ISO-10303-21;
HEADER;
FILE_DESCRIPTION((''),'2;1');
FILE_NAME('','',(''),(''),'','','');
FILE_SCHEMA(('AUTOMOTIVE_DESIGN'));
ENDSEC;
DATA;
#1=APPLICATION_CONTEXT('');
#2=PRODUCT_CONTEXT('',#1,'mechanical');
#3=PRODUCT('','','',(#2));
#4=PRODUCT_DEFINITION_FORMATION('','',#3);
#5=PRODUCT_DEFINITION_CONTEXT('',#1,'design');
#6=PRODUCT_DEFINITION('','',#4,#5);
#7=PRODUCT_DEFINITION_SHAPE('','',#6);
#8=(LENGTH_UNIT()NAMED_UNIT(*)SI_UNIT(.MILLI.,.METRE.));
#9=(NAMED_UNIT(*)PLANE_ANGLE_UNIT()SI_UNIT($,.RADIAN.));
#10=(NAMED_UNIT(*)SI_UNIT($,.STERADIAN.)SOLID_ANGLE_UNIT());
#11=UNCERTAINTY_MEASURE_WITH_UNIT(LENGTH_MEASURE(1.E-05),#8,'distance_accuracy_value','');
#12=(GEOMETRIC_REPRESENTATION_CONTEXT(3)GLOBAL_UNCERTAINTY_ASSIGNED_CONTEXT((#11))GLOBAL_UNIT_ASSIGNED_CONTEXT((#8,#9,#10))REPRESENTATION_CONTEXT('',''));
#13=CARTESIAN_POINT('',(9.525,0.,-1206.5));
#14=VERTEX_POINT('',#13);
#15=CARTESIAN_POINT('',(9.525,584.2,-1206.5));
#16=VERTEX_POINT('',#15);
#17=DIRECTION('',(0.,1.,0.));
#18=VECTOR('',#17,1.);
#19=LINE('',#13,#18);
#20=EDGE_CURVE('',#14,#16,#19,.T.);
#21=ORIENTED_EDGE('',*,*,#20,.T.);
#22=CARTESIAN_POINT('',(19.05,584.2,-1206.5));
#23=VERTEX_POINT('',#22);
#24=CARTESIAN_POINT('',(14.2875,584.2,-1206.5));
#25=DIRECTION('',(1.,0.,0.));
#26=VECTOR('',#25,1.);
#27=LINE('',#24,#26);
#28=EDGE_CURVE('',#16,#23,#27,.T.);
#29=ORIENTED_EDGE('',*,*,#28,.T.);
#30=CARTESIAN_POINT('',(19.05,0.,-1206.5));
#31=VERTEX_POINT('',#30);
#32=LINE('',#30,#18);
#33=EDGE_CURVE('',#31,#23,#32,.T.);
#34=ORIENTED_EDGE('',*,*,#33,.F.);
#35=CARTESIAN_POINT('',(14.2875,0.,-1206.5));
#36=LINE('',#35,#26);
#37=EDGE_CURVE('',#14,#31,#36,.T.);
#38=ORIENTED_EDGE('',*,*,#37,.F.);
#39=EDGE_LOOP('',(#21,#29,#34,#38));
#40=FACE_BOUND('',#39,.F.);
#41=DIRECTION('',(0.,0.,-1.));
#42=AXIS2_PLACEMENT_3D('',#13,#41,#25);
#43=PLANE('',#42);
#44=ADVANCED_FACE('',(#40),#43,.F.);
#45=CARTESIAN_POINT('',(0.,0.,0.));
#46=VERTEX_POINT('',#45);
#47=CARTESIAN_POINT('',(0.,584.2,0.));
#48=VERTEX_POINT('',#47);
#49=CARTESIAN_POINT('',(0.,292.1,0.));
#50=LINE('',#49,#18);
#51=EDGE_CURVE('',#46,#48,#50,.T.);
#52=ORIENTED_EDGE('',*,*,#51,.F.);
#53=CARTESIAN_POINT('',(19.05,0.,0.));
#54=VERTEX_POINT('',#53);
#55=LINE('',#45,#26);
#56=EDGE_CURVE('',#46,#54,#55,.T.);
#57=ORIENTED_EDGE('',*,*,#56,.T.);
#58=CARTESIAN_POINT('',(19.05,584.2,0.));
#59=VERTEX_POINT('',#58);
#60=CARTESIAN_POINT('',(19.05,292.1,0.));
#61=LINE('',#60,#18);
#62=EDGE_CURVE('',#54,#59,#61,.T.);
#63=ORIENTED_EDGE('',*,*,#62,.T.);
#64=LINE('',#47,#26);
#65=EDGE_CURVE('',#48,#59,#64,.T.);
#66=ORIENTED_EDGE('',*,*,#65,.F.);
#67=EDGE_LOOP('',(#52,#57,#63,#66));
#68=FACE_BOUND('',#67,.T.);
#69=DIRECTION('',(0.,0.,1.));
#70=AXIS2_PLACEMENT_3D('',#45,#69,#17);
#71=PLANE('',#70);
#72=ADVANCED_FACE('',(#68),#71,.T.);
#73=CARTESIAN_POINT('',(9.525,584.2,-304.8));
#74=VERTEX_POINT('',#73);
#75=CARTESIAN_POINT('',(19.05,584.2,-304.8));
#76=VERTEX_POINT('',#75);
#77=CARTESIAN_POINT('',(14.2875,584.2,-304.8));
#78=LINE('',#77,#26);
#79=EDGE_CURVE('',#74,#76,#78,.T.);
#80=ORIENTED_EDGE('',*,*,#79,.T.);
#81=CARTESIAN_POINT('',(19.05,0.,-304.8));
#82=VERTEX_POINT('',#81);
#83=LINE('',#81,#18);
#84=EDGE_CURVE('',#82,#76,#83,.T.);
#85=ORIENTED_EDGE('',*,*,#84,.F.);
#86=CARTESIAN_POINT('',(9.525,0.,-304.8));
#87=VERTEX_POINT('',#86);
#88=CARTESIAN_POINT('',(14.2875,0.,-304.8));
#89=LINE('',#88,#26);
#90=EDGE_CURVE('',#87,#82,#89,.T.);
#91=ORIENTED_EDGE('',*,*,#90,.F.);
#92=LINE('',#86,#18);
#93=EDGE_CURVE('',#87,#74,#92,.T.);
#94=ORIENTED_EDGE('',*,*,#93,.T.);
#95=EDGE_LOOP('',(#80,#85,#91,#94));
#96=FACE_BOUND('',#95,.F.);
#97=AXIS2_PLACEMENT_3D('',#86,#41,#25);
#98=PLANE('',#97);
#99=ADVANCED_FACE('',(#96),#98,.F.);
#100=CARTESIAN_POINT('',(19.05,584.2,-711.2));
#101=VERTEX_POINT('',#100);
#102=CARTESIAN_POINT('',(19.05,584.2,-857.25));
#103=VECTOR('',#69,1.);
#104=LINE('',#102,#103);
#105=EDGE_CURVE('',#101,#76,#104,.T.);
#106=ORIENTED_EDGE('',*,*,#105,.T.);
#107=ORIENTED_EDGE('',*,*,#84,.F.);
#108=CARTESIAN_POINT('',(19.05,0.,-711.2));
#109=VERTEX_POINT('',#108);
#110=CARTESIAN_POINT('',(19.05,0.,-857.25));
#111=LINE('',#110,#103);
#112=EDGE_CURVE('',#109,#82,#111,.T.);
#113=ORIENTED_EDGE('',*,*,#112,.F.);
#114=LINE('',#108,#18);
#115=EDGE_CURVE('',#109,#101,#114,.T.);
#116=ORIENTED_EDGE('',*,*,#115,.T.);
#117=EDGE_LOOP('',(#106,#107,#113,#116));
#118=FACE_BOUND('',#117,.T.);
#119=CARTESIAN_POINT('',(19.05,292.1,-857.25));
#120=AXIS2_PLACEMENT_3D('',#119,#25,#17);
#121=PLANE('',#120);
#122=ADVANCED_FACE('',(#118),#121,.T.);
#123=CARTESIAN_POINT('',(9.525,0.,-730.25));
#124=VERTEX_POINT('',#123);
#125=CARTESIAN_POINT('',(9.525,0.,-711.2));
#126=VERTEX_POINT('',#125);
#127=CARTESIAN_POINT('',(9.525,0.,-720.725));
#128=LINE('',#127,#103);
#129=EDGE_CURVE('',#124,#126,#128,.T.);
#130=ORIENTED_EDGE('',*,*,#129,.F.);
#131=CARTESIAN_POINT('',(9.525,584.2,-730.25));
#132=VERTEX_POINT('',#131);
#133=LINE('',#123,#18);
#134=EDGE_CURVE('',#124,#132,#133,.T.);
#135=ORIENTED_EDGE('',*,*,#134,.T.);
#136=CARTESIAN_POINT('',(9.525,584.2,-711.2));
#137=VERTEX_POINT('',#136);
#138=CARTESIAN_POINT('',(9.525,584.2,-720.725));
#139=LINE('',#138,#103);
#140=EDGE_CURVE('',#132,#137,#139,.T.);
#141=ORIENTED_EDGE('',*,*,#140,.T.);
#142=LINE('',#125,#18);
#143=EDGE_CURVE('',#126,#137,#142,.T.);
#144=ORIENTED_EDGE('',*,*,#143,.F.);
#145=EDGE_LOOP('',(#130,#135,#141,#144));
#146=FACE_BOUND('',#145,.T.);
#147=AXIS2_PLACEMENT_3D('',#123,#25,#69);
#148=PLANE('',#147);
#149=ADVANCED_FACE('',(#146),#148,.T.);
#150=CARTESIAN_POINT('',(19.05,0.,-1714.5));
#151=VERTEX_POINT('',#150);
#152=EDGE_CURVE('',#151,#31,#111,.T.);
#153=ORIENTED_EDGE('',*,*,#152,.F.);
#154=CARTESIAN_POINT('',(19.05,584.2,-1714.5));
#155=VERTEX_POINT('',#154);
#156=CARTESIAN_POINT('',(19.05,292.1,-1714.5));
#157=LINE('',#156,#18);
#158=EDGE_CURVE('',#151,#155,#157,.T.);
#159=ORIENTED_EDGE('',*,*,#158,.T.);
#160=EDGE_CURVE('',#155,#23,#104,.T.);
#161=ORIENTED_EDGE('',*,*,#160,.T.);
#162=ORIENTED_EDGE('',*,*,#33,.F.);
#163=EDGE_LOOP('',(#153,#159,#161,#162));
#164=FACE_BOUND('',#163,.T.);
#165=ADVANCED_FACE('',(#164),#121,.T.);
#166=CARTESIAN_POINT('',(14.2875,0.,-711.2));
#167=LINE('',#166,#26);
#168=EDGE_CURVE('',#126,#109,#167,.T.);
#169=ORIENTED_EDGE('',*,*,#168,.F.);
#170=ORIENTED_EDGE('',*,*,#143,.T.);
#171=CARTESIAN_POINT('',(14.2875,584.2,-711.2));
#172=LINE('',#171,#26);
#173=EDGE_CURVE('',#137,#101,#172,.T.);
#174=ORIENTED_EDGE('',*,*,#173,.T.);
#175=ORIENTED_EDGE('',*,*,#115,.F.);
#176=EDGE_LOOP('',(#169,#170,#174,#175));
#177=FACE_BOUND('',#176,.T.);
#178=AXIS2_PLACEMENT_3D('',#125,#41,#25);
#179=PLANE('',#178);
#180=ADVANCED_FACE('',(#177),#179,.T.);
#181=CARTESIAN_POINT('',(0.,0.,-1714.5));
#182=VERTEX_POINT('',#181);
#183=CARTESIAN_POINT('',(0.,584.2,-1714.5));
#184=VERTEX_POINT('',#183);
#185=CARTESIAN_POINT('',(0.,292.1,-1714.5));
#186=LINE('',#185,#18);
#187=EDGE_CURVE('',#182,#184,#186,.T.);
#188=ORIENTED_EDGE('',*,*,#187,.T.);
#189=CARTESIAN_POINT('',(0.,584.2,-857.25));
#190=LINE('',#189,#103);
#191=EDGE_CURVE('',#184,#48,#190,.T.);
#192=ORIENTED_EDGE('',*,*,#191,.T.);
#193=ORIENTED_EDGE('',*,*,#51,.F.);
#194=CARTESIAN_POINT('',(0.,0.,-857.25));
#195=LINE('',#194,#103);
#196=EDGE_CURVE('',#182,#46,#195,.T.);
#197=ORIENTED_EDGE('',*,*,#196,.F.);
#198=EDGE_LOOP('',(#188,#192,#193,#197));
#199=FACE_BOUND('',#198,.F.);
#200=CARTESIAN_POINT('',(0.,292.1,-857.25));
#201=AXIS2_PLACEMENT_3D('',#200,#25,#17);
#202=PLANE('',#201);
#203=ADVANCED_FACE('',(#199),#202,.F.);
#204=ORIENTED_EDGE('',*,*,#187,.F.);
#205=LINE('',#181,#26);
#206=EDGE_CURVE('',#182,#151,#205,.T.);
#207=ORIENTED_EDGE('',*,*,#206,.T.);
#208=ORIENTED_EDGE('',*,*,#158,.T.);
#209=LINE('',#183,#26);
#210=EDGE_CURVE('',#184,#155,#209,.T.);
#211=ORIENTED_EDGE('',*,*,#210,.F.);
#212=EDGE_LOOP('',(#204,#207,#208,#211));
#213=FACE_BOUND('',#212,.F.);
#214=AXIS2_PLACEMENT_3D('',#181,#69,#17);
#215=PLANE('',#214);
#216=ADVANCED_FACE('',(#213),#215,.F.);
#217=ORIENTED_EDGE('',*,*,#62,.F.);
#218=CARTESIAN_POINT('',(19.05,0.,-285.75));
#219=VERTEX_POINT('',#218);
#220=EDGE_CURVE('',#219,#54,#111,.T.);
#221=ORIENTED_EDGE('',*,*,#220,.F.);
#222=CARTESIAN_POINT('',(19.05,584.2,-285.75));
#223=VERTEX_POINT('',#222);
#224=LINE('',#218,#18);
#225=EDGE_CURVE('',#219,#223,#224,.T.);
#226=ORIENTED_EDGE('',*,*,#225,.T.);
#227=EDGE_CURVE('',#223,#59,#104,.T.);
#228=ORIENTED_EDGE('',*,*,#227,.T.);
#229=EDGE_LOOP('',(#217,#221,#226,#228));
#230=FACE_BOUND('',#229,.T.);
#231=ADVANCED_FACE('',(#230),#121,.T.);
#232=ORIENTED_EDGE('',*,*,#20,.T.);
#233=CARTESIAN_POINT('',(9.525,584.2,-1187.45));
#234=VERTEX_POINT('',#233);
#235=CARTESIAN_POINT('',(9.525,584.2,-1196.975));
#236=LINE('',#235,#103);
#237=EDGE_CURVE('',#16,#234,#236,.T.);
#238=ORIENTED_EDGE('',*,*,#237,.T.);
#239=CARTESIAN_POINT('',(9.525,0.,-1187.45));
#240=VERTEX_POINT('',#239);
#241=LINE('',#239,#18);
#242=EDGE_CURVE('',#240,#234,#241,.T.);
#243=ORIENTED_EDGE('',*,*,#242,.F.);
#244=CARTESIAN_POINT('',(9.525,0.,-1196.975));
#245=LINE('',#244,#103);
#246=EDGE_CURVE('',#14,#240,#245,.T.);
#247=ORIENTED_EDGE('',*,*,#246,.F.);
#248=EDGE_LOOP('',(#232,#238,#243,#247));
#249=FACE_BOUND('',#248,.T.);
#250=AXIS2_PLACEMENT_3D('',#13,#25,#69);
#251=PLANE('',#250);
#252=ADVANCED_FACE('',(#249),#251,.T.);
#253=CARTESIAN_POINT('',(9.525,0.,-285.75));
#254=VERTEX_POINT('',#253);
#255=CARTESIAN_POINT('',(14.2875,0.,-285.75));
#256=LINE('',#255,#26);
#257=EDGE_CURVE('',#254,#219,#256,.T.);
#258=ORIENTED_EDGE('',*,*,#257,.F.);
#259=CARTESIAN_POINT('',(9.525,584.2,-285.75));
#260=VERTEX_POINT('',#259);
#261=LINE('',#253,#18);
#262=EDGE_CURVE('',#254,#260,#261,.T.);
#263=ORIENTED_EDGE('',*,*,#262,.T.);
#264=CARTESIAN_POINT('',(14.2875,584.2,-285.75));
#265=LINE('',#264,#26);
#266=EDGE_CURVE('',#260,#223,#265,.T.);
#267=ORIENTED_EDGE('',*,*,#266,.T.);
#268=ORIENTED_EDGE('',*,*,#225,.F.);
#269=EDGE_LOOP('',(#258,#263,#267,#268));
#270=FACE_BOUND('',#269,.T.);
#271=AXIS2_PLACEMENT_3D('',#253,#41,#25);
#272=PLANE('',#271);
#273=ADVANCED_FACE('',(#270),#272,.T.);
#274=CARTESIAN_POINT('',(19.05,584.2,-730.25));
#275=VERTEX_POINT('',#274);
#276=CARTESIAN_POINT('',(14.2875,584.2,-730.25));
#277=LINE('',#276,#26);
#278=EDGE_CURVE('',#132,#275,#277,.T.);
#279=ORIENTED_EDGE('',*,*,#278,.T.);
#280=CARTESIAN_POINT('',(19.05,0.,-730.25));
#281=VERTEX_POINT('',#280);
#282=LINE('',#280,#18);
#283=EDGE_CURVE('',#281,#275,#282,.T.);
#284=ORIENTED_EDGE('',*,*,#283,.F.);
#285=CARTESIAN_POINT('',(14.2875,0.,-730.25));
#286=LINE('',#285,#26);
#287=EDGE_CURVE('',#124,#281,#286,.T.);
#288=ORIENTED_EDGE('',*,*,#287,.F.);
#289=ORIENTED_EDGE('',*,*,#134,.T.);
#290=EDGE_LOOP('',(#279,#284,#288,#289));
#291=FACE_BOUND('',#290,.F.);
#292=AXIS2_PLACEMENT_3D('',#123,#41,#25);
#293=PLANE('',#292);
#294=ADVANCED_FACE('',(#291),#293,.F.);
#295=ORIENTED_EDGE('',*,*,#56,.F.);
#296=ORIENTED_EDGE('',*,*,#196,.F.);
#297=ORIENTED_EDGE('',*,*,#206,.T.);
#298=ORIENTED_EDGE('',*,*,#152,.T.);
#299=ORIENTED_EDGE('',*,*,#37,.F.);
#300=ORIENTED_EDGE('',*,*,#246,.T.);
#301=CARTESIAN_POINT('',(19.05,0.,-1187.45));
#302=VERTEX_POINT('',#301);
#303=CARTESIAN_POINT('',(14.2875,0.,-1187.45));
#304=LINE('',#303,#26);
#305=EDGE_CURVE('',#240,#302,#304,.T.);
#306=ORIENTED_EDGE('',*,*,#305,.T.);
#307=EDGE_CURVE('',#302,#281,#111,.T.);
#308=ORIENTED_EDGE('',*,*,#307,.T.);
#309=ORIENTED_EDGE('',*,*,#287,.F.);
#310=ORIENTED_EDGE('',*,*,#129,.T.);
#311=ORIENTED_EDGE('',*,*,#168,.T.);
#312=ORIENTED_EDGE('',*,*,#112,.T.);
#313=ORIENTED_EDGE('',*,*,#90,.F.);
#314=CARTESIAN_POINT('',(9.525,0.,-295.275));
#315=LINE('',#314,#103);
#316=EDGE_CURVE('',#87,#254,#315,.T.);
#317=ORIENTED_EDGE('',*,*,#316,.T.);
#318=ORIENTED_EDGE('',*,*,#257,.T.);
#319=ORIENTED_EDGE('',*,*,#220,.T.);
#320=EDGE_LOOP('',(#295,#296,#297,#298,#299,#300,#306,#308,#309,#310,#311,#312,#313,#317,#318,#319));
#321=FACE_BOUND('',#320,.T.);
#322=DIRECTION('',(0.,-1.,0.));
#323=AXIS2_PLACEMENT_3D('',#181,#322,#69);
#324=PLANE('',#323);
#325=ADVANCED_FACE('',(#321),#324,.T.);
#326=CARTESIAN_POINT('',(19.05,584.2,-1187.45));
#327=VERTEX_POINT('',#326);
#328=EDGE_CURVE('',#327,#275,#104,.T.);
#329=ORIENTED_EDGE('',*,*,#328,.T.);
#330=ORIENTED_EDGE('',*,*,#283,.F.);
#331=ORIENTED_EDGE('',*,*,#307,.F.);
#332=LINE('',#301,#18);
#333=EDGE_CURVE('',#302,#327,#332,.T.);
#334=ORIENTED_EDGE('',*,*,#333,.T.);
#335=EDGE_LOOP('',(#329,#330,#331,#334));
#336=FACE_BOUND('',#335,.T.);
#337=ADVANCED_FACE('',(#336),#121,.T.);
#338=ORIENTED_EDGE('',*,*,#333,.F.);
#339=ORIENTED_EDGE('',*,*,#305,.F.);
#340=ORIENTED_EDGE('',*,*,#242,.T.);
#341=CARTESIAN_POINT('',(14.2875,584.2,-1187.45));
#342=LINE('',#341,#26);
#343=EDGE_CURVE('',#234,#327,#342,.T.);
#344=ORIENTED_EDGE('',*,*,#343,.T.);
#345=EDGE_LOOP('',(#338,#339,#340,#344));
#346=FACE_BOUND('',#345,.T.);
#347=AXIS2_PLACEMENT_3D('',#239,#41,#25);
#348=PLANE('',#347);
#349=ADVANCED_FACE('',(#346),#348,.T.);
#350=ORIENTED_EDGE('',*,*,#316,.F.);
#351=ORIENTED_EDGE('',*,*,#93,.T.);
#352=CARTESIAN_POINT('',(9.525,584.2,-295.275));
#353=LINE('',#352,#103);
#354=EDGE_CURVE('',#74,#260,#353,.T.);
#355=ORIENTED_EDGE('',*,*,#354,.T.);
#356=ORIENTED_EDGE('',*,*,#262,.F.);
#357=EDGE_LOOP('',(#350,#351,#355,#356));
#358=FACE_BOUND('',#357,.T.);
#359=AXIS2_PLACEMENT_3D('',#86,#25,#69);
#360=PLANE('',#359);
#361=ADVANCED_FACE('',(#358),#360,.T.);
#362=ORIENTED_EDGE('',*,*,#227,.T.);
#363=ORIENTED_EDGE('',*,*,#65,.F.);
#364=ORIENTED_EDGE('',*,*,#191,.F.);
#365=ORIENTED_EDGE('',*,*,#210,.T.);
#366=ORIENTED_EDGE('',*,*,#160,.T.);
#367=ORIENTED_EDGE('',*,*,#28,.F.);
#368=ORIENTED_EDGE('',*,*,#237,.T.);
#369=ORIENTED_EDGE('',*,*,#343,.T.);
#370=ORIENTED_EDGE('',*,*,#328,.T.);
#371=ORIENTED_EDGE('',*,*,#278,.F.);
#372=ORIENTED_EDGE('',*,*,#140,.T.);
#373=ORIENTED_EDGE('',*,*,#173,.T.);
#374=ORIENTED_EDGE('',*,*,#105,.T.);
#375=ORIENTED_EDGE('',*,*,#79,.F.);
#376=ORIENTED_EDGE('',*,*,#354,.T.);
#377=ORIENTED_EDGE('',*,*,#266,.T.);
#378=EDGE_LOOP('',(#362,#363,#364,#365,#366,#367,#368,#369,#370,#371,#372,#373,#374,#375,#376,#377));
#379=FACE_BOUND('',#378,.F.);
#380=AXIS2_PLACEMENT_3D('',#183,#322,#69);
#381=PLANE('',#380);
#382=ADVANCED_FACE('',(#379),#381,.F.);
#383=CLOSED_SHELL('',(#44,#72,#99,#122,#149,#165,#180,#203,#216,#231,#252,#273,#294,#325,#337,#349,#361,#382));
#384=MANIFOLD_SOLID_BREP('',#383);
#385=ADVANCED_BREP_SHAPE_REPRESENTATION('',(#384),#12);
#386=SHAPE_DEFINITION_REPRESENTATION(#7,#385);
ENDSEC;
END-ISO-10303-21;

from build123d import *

# Parameters (mm, degrees)
F0_W     = 584.2
F0_H     = 1714.5
F1_DEPTH = 19.05
F2_W     = 9.525
F2_H     = 19.05
F3_DEPTH = 584.2


with BuildPart() as f1:
    # F0 (on Right) → F1 (new body)
    with BuildSketch(Plane.YZ):
        with Locations((292.1, -857.25)):
            Rectangle(F0_W, F0_H)
    extrude(amount=F1_DEPTH)

    # F2 (on face) → F3 (cut)
    with BuildSketch(Plane.XZ):
        with Locations((14.2875, -295.275)):
            Rectangle(F2_W, F2_H)
        with Locations((14.2875, -720.725)):
            Rectangle(F2_W, F2_H)
        with Locations((14.2875, -1196.975)):
            Rectangle(F2_W, F2_H)
    extrude(amount=-F3_DEPTH, mode=Mode.SUBTRACT)


solid = f1.part
